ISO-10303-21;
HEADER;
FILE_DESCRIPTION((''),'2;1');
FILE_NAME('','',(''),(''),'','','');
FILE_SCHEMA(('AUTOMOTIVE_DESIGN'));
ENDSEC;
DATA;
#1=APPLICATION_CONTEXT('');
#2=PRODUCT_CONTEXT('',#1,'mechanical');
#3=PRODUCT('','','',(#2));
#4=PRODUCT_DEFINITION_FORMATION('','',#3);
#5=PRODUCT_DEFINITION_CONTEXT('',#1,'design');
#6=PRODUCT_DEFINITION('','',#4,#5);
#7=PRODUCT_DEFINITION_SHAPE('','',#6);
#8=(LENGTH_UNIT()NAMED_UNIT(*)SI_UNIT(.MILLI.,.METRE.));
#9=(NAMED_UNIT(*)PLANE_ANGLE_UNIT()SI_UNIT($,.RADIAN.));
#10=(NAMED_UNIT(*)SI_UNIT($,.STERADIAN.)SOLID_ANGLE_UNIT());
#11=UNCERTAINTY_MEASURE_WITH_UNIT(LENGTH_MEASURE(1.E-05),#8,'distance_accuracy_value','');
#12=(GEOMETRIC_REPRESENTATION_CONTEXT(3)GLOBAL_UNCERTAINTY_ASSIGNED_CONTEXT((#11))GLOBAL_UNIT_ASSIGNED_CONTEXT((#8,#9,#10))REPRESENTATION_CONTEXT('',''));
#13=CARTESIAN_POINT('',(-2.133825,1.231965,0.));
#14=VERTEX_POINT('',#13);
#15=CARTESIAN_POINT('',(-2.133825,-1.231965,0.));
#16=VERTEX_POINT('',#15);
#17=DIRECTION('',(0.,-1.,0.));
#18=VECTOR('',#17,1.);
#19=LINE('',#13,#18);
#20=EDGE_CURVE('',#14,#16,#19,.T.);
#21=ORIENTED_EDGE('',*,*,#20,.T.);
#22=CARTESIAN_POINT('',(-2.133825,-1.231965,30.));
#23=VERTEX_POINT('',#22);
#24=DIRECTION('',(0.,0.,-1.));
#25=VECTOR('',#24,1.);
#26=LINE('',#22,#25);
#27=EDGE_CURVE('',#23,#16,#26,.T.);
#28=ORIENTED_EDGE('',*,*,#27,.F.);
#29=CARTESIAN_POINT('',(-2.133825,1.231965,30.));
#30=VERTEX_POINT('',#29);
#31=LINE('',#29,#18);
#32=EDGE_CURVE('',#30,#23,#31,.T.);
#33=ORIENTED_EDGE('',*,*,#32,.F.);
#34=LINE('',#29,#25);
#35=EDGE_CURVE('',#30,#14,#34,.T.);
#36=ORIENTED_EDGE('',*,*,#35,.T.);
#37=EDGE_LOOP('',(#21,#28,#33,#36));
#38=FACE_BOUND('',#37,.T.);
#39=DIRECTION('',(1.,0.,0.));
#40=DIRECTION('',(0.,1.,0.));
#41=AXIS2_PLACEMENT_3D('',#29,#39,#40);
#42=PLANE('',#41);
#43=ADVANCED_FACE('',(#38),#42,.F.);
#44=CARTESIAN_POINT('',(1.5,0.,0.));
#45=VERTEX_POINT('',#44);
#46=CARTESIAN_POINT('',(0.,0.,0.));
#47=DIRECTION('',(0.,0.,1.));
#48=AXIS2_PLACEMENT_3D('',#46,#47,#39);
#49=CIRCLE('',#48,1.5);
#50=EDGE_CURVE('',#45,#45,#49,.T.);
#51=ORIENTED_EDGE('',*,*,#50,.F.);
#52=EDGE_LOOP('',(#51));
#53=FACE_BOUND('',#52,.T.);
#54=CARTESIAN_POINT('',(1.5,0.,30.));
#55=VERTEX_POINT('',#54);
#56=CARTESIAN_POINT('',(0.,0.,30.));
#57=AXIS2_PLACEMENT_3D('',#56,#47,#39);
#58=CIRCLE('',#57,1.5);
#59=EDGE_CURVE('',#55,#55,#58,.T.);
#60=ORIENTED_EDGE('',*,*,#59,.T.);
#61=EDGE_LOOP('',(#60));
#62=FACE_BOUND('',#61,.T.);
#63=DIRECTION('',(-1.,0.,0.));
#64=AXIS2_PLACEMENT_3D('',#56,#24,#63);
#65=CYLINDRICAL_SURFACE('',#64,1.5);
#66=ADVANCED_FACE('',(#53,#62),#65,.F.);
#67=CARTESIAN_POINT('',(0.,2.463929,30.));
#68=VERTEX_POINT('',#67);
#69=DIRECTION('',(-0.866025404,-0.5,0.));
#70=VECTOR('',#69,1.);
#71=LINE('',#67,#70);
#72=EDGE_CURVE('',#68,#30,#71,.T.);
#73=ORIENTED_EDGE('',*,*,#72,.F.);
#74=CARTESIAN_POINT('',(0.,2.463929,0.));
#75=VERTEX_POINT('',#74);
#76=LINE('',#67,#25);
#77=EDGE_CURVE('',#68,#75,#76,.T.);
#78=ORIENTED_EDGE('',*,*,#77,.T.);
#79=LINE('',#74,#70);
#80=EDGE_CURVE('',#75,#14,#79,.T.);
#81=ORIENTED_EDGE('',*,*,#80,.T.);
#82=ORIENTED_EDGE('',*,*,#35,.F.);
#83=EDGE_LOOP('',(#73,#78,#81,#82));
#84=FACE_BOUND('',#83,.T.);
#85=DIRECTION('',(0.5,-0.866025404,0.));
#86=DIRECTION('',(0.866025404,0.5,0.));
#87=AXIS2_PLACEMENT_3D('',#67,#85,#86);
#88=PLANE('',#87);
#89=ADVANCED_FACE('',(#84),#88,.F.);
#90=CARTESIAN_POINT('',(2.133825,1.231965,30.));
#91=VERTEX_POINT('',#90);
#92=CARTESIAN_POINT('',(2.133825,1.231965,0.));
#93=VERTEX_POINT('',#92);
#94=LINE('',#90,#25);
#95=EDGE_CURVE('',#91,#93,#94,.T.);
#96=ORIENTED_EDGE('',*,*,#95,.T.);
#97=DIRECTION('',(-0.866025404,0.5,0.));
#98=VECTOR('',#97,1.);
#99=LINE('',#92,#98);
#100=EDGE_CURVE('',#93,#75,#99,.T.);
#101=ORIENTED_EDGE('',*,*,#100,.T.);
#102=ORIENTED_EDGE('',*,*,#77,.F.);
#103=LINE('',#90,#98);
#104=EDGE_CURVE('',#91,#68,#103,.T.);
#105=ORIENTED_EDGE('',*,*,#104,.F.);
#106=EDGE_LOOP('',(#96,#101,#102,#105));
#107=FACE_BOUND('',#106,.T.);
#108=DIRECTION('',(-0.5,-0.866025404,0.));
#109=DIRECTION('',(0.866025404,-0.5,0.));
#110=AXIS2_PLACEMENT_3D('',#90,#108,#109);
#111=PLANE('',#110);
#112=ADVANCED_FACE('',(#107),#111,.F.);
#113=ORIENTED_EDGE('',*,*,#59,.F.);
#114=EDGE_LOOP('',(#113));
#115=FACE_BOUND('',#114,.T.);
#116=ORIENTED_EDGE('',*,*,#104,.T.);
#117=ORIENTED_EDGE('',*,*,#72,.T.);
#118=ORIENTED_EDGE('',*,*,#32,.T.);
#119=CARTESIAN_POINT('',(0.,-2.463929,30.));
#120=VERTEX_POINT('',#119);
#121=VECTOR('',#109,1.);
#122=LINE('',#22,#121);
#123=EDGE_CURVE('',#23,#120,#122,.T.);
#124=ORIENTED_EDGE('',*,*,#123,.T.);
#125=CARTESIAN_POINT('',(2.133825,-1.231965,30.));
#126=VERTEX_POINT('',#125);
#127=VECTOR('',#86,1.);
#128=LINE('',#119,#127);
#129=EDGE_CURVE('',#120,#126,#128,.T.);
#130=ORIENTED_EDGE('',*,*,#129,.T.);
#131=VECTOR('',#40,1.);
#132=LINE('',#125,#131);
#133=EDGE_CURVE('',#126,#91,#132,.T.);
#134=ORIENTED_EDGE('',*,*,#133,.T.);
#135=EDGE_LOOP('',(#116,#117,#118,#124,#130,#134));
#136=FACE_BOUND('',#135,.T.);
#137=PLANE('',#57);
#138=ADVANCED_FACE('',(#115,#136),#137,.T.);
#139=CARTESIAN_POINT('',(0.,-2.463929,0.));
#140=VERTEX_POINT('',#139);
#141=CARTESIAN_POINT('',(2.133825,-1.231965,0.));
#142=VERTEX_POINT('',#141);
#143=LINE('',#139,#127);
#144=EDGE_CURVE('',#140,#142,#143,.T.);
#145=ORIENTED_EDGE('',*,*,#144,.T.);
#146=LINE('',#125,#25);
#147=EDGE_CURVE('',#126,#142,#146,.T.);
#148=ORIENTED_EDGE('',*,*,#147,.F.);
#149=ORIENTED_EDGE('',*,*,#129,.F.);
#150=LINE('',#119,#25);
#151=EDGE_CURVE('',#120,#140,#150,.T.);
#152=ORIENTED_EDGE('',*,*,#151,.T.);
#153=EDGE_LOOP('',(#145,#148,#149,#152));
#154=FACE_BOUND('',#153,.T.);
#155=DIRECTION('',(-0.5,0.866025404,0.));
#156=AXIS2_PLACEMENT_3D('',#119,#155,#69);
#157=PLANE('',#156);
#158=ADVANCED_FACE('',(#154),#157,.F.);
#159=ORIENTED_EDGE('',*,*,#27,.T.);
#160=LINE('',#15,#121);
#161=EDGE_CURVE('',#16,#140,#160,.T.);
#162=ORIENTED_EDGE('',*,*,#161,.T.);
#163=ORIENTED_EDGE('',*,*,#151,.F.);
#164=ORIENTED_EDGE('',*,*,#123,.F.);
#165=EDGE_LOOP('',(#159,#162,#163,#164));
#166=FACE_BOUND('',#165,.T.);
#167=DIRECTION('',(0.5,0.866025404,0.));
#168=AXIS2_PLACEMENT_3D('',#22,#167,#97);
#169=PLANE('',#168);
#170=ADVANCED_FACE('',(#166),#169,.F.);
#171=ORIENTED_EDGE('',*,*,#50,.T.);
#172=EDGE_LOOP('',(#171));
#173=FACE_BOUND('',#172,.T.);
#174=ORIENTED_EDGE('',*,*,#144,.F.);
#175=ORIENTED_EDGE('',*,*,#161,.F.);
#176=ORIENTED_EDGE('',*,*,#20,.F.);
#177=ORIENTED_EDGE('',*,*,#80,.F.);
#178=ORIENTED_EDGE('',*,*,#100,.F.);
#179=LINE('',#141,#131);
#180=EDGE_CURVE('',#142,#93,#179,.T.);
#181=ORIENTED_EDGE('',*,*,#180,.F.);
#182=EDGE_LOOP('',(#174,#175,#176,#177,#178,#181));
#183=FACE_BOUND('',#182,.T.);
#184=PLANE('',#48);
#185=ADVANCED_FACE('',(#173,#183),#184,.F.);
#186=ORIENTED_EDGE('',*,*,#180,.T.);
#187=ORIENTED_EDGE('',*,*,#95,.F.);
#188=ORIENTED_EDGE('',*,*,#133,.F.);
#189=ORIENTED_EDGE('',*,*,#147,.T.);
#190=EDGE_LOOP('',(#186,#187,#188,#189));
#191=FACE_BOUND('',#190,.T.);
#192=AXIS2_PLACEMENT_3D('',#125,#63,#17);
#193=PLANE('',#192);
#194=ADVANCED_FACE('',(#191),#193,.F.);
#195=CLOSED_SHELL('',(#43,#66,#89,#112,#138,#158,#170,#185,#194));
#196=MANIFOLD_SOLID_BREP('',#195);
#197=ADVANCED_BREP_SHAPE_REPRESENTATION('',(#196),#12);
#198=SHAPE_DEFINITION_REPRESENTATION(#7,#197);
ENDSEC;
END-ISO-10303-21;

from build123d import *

# Parameters (mm, degrees)
SKETCH_1_R      = 1.5
EXTRUDE_1_DEPTH = 30


with BuildPart() as part:
    # 草图1 → 凸台-拉伸1 (new body)
    with BuildSketch(Plane.XY):
        Polygon((0, 2.463929225), (-2.133825302, 1.231964612), (-2.133825302, -1.231964612), (0, -2.463929225), (2.133825302, -1.231964612), (2.133825302, 1.231964612), align=None)
        Circle(SKETCH_1_R, mode=Mode.SUBTRACT)
    extrude(amount=EXTRUDE_1_DEPTH)


solid = part.part
